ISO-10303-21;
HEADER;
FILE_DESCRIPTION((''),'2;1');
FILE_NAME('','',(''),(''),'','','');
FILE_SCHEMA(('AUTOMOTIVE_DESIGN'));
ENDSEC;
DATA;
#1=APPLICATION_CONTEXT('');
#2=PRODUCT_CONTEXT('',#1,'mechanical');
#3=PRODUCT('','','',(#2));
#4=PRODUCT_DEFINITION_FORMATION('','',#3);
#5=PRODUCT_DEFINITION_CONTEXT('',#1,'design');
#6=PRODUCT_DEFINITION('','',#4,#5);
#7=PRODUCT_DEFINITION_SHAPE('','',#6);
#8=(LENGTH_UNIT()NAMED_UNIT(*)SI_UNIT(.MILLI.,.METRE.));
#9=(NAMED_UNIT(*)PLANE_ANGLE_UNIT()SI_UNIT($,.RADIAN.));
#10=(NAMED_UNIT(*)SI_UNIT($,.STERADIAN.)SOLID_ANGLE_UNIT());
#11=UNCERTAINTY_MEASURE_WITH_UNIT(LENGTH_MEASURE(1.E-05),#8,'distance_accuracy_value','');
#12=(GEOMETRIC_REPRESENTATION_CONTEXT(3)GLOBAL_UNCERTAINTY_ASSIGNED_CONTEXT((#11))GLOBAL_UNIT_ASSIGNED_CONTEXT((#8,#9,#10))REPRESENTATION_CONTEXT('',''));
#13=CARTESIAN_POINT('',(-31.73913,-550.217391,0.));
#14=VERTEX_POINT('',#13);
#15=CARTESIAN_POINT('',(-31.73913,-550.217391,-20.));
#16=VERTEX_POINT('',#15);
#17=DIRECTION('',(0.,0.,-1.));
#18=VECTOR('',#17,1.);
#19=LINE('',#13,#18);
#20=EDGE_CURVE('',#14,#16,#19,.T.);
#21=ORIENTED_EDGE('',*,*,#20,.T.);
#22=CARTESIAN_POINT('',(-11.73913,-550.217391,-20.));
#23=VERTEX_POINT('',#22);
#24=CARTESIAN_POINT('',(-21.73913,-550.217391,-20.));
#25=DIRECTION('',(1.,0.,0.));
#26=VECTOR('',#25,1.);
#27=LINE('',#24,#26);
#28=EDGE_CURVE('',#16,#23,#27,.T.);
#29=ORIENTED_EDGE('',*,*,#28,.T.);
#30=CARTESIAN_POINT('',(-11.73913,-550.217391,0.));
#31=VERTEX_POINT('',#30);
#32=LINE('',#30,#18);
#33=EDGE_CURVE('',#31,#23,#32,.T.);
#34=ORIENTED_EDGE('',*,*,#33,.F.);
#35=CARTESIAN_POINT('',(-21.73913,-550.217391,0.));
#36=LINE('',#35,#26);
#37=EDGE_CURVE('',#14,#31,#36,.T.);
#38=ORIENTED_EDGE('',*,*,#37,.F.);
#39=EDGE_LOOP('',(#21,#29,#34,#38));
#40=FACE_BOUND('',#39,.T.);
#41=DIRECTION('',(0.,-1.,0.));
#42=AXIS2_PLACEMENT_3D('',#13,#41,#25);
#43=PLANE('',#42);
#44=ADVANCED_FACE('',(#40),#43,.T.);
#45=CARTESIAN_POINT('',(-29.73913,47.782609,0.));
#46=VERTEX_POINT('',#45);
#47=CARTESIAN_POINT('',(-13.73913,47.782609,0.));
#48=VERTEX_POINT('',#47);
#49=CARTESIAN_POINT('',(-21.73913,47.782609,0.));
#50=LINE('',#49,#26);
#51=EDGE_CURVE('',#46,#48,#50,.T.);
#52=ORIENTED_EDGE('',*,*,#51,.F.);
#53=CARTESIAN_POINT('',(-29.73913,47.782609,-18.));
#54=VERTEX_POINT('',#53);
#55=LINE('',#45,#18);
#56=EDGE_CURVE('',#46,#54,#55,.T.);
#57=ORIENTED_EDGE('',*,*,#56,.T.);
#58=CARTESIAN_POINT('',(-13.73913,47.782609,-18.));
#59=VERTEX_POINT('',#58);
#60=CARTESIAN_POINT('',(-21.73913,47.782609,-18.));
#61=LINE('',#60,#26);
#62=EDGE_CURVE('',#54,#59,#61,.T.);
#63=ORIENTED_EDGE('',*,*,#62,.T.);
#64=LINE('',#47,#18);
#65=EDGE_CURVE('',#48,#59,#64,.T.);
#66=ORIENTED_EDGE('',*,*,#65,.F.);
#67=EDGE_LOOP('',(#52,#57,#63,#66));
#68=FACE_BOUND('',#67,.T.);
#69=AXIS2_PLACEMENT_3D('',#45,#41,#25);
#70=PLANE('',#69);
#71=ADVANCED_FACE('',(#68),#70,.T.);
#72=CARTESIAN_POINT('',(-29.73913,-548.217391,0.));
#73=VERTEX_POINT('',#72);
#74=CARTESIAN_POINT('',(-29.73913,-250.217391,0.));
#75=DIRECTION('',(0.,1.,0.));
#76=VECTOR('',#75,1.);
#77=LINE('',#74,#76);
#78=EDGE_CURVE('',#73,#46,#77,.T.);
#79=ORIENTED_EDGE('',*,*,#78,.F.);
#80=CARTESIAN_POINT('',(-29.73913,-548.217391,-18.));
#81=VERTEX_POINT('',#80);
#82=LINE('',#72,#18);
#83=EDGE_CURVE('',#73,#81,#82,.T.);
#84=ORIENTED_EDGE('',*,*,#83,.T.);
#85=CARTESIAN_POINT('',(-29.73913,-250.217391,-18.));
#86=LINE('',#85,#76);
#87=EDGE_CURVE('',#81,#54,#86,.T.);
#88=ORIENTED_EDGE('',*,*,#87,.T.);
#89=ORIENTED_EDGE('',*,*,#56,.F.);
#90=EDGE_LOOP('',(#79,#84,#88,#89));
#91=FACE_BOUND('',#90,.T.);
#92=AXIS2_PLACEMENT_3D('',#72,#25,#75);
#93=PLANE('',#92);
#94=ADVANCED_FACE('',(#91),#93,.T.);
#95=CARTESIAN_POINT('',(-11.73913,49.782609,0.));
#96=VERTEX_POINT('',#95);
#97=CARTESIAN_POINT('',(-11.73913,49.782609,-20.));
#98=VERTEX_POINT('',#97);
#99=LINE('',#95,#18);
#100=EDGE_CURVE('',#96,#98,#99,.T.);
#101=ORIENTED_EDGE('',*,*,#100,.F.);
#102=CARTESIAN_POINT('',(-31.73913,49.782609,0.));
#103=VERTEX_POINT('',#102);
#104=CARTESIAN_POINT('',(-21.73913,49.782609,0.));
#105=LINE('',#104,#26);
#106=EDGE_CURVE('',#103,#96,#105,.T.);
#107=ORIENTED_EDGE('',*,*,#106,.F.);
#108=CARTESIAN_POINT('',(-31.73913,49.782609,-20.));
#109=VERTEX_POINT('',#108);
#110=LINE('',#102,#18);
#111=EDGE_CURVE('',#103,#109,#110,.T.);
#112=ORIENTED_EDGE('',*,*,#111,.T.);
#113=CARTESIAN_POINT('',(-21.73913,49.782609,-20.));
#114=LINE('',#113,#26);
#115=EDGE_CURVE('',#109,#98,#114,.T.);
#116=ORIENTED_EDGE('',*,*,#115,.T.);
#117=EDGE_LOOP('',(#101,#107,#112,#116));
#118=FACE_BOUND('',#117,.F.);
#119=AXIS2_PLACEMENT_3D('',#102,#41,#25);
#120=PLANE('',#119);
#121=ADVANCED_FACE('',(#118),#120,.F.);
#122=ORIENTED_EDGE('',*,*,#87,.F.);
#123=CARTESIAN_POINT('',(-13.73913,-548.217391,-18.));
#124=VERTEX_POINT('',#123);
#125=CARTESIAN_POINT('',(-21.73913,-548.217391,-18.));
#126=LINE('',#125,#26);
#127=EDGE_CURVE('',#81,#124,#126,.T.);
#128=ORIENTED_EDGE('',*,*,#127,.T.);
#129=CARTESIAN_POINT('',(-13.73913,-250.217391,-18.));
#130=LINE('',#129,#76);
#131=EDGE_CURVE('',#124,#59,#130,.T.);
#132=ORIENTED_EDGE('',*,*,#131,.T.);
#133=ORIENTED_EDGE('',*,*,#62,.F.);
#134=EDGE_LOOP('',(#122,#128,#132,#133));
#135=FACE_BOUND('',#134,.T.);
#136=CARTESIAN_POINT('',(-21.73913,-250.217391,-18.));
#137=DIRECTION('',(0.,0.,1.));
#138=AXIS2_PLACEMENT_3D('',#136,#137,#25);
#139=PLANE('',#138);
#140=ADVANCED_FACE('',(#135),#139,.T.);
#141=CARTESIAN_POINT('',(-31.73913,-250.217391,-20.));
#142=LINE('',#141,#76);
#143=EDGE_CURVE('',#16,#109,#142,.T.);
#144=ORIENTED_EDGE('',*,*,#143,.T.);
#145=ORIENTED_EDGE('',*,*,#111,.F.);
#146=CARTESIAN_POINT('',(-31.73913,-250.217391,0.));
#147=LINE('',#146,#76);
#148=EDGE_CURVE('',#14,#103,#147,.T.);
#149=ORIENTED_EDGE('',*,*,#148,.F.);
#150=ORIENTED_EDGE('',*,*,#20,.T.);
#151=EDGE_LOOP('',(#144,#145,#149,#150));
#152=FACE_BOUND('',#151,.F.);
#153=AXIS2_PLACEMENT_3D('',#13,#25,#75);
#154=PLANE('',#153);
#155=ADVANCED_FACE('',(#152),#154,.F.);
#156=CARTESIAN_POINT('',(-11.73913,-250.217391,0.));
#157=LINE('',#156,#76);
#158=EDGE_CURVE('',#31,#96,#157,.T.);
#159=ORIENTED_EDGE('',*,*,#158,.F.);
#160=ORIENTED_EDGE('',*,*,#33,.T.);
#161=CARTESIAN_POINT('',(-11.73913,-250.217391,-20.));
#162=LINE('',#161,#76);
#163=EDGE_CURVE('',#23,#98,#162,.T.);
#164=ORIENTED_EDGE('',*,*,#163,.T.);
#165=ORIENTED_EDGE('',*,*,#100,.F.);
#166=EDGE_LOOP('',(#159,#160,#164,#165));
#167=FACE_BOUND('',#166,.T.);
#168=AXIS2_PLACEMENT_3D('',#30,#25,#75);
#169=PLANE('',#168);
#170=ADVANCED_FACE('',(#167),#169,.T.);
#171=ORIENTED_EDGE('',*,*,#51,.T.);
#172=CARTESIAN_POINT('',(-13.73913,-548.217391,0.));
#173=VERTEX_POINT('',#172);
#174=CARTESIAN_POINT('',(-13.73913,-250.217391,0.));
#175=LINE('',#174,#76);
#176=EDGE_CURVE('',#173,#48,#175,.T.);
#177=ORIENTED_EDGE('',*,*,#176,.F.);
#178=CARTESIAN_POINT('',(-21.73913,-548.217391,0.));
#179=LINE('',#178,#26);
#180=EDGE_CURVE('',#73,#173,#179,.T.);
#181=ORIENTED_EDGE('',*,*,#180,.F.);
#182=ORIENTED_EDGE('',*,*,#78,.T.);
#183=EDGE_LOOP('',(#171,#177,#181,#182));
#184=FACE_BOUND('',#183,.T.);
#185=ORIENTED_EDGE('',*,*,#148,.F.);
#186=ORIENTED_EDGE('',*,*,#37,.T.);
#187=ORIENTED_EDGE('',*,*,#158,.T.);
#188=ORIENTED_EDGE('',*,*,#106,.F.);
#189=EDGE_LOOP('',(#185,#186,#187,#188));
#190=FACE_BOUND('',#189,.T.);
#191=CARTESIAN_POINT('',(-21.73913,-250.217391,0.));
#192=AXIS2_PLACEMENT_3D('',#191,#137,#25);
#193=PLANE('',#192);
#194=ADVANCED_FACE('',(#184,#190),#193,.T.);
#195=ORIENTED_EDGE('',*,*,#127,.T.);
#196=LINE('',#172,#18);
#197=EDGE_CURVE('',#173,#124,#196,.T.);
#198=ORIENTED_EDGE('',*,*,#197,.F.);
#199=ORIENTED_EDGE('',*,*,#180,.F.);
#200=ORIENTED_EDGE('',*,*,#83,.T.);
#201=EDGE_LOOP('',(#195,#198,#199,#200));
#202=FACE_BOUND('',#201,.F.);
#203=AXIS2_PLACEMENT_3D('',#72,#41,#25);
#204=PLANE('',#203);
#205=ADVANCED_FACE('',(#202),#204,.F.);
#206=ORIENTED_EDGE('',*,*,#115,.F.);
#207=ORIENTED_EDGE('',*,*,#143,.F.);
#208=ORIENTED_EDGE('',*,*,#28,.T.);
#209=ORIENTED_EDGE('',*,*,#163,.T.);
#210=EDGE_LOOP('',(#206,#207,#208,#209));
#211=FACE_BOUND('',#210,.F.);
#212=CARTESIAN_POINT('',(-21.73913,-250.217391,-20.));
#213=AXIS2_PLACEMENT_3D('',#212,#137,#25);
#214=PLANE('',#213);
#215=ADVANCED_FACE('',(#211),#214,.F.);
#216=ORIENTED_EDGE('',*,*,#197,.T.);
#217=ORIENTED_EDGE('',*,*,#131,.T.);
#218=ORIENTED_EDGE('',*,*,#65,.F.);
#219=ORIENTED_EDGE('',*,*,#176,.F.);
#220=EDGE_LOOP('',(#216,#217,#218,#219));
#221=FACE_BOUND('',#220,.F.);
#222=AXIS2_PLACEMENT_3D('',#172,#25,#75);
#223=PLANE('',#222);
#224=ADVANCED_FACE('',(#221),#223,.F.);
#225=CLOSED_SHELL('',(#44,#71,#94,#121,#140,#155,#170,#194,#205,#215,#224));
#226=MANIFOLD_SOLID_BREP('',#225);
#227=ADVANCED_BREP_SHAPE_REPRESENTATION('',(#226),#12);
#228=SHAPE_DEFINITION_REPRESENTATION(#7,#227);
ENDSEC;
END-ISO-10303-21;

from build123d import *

# Parameters (mm, degrees)
SKETCH1_W           = 20
SKETCH1_H           = 600
BOSS_EXTRUDE1_DEPTH = 20
SKETCH2_W           = 16
SKETCH2_H           = 596
CUT_EXTRUDE1_DEPTH  = 18


with BuildPart() as part:
    # Sketch1 → Boss-Extrude1 (new body)
    with BuildSketch(Plane.XY):
        with Locations((-21.739130435, -250.217391304)):
            Rectangle(SKETCH1_W, SKETCH1_H)
    extrude(amount=-BOSS_EXTRUDE1_DEPTH)

    # Sketch2 → Cut-Extrude1 (cut)
    with BuildSketch(Plane.XY):
        with Locations((-21.739130435, -250.217391304)):
            Rectangle(SKETCH2_W, SKETCH2_H)
    extrude(amount=-CUT_EXTRUDE1_DEPTH, mode=Mode.SUBTRACT)


solid = part.part
